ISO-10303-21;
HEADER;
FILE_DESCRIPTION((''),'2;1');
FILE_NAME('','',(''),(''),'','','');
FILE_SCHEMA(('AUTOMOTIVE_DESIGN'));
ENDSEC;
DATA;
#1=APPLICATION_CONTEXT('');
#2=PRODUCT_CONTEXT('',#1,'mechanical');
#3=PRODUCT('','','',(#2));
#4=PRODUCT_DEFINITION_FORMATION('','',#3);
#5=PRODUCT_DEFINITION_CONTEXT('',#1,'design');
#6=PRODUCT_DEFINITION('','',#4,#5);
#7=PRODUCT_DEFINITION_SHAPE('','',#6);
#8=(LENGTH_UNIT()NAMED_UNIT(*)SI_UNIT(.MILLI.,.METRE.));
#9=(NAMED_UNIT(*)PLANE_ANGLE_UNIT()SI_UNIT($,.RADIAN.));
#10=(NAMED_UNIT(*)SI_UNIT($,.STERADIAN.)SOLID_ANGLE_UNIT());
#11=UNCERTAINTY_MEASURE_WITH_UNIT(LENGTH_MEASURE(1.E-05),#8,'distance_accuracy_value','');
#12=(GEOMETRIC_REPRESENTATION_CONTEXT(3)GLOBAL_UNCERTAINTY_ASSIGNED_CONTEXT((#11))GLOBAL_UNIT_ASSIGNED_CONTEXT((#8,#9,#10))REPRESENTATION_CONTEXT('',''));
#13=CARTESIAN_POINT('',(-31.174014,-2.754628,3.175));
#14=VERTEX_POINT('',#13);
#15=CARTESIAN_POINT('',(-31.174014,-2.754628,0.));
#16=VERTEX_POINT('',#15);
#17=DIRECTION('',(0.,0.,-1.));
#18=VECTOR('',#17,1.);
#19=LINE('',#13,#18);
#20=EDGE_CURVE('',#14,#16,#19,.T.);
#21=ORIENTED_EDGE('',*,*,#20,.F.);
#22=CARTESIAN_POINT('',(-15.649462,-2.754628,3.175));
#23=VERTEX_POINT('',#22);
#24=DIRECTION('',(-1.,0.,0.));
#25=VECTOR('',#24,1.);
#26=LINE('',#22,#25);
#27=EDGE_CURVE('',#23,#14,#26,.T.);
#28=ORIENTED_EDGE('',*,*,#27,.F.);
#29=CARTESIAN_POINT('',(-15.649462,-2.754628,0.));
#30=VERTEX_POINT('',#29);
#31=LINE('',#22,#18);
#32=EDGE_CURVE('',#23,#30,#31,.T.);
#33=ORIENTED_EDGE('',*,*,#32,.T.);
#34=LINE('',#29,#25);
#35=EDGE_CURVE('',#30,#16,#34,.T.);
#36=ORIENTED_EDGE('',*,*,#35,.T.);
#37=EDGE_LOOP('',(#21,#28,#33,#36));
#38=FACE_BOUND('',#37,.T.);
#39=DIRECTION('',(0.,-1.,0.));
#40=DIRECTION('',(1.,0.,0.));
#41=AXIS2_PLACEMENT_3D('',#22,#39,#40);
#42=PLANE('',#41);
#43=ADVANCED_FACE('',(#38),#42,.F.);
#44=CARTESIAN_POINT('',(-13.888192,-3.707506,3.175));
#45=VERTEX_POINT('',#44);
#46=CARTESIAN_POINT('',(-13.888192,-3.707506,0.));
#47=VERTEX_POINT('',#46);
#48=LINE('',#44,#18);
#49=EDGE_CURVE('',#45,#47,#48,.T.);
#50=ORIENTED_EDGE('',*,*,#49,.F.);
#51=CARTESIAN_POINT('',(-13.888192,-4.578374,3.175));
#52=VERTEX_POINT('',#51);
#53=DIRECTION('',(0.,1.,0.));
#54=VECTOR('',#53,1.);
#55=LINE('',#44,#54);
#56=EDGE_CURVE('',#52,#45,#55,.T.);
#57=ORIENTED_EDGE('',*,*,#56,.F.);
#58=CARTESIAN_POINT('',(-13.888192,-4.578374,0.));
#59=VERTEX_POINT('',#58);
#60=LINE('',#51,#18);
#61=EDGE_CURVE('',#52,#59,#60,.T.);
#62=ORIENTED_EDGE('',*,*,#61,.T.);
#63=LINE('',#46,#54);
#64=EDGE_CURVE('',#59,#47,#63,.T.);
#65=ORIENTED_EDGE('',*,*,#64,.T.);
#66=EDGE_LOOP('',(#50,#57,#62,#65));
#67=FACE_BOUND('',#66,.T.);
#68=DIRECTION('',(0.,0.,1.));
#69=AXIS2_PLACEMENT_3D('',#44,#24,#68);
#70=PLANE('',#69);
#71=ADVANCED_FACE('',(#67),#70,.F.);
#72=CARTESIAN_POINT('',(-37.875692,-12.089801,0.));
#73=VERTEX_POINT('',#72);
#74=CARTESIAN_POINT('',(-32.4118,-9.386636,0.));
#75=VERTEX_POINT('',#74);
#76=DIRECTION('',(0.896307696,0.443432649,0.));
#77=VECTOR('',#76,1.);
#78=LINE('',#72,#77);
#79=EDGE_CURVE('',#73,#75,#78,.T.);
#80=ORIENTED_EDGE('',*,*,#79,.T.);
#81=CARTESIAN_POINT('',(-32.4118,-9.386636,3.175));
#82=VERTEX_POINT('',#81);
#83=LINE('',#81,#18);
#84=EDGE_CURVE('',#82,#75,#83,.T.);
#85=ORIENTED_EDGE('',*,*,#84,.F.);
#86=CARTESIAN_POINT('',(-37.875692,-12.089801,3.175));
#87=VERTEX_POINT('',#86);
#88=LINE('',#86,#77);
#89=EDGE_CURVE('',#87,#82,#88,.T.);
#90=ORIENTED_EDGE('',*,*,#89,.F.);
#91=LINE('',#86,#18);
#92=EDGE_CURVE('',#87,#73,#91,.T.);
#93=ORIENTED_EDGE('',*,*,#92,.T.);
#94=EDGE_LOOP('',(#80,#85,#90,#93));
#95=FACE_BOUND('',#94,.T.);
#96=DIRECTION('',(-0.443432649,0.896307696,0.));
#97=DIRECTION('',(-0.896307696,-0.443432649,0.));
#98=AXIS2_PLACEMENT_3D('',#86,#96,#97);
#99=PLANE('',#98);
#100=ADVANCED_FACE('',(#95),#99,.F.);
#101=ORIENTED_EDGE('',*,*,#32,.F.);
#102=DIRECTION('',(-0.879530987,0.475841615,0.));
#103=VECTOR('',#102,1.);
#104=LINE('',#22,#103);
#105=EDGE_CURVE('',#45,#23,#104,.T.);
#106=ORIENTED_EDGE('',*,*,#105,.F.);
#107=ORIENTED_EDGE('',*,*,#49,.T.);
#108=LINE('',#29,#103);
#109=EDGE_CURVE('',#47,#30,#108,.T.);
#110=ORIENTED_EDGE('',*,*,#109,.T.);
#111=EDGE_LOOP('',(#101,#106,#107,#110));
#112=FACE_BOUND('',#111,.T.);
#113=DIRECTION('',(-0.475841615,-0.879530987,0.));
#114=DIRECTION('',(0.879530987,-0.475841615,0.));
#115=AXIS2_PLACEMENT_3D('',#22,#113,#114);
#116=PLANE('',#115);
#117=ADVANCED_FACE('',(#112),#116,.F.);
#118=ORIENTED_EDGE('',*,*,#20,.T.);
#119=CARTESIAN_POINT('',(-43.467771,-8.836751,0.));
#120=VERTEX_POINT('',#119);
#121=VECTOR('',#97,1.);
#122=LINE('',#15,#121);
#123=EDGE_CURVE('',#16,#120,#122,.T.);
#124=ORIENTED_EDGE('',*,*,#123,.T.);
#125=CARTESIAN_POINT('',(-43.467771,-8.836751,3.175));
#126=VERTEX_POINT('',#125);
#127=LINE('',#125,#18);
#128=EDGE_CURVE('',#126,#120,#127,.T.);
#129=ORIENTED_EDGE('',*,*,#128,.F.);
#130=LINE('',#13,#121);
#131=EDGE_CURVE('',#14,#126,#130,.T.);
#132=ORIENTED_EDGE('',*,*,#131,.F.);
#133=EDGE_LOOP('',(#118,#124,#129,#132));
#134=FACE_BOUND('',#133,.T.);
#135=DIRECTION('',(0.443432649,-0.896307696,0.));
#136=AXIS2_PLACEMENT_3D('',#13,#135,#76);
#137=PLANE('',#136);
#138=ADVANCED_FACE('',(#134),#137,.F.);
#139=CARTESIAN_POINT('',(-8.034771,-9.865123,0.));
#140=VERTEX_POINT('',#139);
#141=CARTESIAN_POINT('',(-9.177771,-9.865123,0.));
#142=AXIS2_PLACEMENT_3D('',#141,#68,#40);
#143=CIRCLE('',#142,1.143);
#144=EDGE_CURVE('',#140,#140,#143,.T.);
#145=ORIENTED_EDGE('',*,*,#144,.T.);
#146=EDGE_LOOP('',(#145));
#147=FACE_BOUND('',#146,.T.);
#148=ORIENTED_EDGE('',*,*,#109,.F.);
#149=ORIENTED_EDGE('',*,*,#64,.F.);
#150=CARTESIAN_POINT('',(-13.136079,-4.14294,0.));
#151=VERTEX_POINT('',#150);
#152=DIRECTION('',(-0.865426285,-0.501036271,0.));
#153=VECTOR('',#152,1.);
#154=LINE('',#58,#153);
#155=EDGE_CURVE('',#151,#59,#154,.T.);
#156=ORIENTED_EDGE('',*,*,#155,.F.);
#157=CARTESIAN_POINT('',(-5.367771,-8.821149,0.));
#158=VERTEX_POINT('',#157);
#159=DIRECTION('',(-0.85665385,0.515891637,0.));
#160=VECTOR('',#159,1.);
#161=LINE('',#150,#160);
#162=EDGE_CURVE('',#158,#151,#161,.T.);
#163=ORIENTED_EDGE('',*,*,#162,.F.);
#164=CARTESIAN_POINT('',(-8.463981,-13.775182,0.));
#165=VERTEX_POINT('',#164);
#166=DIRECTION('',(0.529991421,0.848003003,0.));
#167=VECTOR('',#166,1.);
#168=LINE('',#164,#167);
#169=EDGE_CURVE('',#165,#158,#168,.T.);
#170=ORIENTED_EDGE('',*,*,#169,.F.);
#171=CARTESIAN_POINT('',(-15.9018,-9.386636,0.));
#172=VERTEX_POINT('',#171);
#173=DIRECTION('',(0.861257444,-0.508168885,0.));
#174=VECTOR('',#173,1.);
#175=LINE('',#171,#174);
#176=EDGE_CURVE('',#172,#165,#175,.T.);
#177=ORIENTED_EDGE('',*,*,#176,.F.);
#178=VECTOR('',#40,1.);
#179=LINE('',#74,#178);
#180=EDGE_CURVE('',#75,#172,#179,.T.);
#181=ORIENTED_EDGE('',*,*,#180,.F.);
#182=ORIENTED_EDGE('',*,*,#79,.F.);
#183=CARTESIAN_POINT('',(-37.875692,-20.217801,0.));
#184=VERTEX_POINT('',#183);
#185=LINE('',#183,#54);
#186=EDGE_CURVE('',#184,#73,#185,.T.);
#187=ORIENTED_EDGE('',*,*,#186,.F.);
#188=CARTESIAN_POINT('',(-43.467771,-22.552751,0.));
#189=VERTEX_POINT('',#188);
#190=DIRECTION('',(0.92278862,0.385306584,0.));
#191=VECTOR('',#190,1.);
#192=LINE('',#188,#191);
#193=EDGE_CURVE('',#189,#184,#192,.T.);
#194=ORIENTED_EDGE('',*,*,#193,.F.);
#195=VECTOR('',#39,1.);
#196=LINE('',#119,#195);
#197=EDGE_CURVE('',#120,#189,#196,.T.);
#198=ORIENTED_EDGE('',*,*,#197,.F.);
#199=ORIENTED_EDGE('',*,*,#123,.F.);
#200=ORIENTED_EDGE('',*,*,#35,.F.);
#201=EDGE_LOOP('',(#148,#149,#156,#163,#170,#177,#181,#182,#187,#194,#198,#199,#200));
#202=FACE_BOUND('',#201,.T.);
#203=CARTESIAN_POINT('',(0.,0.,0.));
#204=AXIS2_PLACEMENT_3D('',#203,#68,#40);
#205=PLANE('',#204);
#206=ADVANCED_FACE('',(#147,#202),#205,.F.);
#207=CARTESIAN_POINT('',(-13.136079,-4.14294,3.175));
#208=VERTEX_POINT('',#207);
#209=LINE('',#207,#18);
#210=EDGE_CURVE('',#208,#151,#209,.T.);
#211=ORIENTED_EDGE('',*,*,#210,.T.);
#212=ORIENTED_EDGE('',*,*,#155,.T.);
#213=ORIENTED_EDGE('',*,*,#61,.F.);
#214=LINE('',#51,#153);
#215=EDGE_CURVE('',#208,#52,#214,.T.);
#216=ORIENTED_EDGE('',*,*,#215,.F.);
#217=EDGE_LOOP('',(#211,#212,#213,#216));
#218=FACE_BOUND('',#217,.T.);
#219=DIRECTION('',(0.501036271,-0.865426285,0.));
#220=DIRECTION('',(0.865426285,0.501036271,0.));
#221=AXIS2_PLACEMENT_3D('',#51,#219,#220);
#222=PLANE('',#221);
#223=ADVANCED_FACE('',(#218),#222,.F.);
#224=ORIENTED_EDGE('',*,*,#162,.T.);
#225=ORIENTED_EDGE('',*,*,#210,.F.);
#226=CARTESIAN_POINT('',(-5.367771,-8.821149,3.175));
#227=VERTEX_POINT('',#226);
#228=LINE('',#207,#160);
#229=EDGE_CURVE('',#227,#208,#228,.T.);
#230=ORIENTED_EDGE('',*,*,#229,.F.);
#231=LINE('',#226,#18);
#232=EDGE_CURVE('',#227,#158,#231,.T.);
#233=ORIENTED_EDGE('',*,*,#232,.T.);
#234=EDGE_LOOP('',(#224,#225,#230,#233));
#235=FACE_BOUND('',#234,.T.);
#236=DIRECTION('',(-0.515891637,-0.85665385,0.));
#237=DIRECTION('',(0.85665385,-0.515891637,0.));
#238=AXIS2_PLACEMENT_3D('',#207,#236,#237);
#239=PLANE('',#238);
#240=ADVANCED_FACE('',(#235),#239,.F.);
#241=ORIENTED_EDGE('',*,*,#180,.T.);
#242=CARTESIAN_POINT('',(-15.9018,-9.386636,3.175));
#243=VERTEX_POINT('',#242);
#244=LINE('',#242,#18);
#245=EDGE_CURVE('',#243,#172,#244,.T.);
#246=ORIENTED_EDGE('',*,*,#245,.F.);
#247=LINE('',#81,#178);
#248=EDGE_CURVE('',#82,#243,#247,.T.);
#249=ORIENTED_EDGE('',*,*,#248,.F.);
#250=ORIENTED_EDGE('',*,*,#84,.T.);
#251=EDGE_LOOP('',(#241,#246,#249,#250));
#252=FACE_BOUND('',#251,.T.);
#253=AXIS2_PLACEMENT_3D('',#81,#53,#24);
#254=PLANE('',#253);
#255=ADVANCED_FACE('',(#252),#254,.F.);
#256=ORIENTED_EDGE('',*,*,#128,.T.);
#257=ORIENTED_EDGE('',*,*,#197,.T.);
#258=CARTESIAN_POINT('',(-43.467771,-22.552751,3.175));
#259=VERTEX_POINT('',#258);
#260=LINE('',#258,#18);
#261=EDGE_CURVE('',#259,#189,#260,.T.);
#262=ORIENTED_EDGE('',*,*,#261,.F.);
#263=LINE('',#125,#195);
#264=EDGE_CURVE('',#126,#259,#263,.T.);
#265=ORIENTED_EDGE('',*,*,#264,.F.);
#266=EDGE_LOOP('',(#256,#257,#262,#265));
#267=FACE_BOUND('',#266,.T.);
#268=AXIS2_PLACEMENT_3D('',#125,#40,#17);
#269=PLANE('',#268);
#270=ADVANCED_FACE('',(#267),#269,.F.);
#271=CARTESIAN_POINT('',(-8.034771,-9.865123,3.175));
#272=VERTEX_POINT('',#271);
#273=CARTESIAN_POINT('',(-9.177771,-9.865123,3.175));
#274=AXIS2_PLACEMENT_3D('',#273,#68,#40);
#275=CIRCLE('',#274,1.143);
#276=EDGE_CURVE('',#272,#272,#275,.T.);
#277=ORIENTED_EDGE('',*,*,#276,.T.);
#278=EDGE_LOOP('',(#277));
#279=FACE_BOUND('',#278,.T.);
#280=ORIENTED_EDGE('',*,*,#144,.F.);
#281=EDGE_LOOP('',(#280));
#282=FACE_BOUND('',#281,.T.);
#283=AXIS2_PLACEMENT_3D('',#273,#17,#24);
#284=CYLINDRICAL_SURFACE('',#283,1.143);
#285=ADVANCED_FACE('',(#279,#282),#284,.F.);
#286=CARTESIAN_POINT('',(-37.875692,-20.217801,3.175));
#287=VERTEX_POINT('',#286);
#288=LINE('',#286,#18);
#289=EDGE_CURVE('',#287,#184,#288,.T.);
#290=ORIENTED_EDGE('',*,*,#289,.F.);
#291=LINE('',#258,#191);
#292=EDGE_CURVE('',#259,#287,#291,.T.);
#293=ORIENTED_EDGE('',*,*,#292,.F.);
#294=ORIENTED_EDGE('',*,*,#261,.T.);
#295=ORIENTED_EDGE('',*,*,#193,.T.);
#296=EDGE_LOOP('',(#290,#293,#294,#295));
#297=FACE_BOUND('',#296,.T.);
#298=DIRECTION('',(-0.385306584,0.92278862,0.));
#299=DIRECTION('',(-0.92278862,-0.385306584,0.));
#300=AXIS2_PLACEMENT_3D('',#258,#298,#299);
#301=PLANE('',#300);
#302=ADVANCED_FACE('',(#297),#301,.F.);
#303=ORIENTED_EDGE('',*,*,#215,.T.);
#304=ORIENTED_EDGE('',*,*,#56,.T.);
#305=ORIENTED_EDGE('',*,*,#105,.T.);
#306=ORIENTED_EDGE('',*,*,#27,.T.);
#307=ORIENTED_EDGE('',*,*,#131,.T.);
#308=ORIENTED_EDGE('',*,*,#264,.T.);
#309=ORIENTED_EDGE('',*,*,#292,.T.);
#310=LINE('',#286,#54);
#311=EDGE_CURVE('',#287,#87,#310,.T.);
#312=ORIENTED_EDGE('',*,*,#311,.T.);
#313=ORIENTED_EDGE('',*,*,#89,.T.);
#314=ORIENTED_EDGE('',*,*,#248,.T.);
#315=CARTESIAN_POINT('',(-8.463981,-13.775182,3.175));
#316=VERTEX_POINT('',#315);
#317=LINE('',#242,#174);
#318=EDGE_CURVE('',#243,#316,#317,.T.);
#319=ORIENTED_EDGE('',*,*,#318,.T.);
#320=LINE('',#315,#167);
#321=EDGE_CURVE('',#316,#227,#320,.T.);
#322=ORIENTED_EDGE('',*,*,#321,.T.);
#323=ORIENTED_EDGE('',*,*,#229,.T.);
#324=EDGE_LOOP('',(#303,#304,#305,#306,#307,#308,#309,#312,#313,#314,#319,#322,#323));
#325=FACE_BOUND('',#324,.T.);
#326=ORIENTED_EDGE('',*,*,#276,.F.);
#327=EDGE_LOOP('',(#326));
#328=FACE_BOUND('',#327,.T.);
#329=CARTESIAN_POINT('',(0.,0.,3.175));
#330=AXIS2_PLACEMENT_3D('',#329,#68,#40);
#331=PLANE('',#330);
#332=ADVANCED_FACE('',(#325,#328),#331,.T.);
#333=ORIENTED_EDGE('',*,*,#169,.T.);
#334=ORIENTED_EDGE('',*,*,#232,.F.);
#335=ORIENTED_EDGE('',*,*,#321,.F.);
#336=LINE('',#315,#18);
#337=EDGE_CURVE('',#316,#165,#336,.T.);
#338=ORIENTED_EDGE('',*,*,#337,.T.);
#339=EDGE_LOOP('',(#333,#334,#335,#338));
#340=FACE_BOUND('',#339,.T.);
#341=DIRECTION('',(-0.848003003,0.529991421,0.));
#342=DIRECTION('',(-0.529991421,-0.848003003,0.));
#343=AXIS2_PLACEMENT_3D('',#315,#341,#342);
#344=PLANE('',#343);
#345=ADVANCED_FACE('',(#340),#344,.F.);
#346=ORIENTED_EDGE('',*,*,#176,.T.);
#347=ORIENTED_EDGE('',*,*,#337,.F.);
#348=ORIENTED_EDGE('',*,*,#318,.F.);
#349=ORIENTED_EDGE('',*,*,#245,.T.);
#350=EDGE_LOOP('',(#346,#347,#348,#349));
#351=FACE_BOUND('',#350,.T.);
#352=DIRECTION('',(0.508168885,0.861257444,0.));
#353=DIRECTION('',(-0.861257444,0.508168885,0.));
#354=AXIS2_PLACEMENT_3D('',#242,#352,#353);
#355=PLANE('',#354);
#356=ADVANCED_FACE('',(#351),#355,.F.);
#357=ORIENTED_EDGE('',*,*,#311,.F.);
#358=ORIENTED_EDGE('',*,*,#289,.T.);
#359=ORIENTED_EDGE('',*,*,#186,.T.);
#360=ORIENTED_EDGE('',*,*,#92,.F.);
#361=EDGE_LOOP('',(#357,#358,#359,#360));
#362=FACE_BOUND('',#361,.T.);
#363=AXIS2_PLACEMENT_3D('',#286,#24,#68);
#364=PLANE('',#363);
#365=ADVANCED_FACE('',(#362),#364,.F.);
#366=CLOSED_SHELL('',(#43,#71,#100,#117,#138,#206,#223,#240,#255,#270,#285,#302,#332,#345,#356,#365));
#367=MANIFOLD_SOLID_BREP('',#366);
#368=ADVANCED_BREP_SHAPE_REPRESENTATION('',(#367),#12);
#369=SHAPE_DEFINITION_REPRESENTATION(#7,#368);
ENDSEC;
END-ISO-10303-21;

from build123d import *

# Parameters (mm, degrees)
SKETCH2_R           = 1.143
BOSS_EXTRUDE1_DEPTH = 3.175


with BuildPart() as part:
    # Sketch2 → Boss-Extrude1 (new body)
    with BuildSketch(Plane.XY):
        Polygon((-15.64946208, -2.754628495), (-13.88819212, -3.707506284), (-13.88819212, -4.578373687), (-13.136079363, -4.142939985), (-5.367770719, -8.821148647), (-8.4639806, -13.775182193), (-15.901799882, -9.3866357), (-32.411799882, -9.3866357), (-37.875691596, -12.08980113), (-37.875691596, -20.21780113), (-43.467770719, -22.552750714), (-43.467770719, -8.836750714), (-31.174014364, -2.754628495), align=None)
        with Locations((-9.177770719, -9.865122974)):
            Circle(SKETCH2_R, mode=Mode.SUBTRACT)
    extrude(amount=BOSS_EXTRUDE1_DEPTH)


solid = part.part
